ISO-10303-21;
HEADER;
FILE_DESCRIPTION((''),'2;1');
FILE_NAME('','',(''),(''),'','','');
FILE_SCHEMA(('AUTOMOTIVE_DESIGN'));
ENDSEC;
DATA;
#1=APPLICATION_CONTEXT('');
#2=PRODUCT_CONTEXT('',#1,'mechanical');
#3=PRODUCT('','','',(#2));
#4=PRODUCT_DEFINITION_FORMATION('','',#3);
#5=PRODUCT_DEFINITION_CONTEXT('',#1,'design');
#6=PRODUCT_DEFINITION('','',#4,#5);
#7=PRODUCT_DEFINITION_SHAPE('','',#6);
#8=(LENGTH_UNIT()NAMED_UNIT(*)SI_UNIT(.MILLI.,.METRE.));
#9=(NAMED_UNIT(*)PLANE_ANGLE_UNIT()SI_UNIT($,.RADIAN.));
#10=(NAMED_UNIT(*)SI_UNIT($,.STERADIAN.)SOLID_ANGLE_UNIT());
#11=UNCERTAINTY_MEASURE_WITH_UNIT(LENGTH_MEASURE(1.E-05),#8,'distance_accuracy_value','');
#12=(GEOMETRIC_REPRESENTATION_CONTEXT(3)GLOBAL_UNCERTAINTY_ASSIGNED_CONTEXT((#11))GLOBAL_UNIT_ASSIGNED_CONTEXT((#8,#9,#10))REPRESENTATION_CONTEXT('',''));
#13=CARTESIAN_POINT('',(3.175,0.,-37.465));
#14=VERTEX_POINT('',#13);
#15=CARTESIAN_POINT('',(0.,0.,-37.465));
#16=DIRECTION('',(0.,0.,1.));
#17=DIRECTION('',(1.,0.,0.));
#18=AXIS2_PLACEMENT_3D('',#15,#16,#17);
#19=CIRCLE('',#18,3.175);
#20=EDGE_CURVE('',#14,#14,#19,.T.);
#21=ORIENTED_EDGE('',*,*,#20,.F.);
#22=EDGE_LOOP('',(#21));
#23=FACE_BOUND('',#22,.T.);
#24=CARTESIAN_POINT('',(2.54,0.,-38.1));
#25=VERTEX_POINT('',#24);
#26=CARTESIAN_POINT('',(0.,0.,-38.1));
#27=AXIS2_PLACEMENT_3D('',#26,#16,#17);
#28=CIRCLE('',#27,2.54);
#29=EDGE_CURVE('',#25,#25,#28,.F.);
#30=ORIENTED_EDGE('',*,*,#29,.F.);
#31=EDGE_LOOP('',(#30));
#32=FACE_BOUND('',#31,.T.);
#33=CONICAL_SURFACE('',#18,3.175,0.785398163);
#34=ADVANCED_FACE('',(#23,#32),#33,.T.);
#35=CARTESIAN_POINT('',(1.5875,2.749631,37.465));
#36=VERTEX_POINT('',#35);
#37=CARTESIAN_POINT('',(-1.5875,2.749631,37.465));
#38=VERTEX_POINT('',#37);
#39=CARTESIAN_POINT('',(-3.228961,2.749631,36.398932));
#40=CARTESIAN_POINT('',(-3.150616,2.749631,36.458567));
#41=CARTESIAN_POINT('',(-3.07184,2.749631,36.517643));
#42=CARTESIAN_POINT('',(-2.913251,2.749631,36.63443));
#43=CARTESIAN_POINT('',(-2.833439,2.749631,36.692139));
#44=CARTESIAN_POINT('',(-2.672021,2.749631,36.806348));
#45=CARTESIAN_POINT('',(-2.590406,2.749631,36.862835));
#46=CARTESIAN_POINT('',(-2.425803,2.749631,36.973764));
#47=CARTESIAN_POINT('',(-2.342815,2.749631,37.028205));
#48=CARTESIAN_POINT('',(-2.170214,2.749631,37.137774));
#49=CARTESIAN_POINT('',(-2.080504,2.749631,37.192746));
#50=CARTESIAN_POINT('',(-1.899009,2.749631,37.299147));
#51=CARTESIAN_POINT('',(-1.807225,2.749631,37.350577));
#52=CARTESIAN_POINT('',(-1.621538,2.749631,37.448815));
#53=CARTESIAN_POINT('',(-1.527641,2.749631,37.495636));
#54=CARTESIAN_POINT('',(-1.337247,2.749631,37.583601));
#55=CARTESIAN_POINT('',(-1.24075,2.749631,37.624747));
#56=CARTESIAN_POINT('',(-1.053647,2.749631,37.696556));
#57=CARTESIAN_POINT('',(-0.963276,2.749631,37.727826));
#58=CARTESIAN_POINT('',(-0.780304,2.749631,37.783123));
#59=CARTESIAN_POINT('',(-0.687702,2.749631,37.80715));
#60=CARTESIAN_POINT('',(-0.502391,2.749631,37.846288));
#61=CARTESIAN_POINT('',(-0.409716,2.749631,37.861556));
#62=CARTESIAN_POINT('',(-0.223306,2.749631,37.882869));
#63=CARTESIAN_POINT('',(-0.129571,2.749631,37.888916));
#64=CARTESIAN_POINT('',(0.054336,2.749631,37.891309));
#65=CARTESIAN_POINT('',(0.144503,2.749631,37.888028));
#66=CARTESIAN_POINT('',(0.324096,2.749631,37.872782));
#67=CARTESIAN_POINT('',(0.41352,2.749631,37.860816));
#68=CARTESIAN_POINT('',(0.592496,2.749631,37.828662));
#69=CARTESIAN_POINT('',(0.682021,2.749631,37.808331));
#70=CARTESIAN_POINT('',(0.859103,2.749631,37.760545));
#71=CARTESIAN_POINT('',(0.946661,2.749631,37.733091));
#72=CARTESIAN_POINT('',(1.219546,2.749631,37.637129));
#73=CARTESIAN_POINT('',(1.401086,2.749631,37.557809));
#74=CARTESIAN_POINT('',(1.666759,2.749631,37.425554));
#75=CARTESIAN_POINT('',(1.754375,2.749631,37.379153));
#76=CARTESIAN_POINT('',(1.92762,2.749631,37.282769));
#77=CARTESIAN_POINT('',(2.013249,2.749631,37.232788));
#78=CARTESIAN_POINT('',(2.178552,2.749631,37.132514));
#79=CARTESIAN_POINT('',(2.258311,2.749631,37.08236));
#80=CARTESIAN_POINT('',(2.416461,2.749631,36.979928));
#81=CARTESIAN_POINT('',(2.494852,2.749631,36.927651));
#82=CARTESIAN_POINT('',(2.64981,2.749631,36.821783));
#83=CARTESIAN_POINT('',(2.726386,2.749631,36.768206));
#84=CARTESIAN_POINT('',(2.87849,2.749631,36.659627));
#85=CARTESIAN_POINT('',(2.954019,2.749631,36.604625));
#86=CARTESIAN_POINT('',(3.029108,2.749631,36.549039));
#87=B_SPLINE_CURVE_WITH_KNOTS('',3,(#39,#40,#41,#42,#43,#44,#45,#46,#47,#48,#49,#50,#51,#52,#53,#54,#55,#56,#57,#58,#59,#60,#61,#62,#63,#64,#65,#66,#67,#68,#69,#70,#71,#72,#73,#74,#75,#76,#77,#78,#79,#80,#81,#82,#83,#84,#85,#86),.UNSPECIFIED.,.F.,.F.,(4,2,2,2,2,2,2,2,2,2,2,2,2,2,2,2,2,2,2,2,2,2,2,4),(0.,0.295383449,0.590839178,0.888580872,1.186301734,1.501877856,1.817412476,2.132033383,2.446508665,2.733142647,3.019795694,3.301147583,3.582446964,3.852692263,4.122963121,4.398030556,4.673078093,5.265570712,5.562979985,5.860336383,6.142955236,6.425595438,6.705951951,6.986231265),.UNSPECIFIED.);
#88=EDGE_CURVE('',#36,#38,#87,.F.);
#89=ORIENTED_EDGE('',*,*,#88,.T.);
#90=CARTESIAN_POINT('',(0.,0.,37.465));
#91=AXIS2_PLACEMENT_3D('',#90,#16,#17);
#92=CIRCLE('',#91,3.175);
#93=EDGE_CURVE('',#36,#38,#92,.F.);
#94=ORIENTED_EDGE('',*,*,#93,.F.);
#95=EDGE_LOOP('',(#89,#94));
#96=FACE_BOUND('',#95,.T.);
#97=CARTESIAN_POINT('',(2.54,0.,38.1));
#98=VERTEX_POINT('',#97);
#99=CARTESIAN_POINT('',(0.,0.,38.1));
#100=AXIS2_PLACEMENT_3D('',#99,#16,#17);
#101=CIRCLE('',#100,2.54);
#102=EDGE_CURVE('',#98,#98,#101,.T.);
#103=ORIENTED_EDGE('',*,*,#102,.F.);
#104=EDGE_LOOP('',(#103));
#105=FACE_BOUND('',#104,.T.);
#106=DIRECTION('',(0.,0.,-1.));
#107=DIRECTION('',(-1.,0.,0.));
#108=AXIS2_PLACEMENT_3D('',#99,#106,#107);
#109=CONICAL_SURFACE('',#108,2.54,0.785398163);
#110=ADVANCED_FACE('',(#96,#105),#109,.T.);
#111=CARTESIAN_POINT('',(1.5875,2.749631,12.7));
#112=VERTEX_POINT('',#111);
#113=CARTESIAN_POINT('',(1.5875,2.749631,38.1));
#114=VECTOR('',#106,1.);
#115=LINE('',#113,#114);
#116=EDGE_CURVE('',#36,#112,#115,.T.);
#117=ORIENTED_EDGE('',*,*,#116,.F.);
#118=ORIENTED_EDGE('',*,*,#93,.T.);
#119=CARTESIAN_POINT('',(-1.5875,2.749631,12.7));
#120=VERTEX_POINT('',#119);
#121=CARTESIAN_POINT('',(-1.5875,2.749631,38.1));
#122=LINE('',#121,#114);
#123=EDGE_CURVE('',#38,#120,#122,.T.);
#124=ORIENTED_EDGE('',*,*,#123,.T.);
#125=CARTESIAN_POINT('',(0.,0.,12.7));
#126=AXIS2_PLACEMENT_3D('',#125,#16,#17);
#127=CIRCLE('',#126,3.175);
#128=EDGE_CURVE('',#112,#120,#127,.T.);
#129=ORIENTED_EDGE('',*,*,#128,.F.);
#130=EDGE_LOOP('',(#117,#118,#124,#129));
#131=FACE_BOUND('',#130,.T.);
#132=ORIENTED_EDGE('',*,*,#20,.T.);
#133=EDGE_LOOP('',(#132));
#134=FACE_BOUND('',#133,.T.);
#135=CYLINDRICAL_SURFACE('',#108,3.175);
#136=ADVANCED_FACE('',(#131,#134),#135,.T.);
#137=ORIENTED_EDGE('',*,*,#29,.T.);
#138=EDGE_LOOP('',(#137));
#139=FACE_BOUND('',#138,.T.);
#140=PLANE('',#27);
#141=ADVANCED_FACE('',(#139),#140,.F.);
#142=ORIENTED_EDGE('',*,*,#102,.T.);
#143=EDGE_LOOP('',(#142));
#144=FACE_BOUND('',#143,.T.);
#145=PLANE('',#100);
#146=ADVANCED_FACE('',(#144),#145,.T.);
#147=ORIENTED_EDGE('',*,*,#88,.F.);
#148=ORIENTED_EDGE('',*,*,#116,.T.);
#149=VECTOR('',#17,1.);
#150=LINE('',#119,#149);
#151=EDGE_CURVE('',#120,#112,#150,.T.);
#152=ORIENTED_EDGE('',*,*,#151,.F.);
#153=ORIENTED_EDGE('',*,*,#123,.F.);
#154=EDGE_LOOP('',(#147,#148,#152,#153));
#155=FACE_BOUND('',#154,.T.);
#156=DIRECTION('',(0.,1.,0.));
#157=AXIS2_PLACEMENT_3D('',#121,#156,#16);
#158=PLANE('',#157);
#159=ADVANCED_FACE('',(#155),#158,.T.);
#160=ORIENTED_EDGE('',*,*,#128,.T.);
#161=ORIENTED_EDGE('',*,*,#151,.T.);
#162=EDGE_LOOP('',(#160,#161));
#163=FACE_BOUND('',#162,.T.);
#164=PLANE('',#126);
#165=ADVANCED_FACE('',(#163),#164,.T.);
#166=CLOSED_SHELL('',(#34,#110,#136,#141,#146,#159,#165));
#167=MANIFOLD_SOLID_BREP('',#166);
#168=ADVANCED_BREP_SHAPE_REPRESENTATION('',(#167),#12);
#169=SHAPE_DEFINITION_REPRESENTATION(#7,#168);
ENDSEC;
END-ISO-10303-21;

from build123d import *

# Parameters (mm, degrees)
SKETCH1_R      = 3.175
EXTRUDE1_DEPTH = 38.1
CHAMFER1_SIZE  = 0.635
EXTRUDE7_DEPTH = 26.4


with BuildPart() as part:
    # Sketch1 → Extrude1 (new body, symmetric)
    with BuildSketch(Plane.XY):
        Circle(SKETCH1_R)
    extrude(amount=EXTRUDE1_DEPTH, both=True)

    # Chamfer1
    chamfer1_edges = [part.edges().sort_by_distance(p)[0] for p in [
        (-3.175, 0, -38.1),
        (-3.175, 0, 38.1),
    ]]
    chamfer(chamfer1_edges, length=CHAMFER1_SIZE)

    # Sketch13 → Extrude7 (cut, through all)
    with BuildSketch(Plane.XY.offset(12.7)):
        with BuildLine():
            Line((-1.5875, 2.749630657), (1.5875, 2.749630657))
            ThreePointArc((1.5875, 2.749630657), (0, 3.175), (-1.5875, 2.749630657))
        make_face()
    extrude(amount=EXTRUDE7_DEPTH, mode=Mode.SUBTRACT)


solid = part.part
